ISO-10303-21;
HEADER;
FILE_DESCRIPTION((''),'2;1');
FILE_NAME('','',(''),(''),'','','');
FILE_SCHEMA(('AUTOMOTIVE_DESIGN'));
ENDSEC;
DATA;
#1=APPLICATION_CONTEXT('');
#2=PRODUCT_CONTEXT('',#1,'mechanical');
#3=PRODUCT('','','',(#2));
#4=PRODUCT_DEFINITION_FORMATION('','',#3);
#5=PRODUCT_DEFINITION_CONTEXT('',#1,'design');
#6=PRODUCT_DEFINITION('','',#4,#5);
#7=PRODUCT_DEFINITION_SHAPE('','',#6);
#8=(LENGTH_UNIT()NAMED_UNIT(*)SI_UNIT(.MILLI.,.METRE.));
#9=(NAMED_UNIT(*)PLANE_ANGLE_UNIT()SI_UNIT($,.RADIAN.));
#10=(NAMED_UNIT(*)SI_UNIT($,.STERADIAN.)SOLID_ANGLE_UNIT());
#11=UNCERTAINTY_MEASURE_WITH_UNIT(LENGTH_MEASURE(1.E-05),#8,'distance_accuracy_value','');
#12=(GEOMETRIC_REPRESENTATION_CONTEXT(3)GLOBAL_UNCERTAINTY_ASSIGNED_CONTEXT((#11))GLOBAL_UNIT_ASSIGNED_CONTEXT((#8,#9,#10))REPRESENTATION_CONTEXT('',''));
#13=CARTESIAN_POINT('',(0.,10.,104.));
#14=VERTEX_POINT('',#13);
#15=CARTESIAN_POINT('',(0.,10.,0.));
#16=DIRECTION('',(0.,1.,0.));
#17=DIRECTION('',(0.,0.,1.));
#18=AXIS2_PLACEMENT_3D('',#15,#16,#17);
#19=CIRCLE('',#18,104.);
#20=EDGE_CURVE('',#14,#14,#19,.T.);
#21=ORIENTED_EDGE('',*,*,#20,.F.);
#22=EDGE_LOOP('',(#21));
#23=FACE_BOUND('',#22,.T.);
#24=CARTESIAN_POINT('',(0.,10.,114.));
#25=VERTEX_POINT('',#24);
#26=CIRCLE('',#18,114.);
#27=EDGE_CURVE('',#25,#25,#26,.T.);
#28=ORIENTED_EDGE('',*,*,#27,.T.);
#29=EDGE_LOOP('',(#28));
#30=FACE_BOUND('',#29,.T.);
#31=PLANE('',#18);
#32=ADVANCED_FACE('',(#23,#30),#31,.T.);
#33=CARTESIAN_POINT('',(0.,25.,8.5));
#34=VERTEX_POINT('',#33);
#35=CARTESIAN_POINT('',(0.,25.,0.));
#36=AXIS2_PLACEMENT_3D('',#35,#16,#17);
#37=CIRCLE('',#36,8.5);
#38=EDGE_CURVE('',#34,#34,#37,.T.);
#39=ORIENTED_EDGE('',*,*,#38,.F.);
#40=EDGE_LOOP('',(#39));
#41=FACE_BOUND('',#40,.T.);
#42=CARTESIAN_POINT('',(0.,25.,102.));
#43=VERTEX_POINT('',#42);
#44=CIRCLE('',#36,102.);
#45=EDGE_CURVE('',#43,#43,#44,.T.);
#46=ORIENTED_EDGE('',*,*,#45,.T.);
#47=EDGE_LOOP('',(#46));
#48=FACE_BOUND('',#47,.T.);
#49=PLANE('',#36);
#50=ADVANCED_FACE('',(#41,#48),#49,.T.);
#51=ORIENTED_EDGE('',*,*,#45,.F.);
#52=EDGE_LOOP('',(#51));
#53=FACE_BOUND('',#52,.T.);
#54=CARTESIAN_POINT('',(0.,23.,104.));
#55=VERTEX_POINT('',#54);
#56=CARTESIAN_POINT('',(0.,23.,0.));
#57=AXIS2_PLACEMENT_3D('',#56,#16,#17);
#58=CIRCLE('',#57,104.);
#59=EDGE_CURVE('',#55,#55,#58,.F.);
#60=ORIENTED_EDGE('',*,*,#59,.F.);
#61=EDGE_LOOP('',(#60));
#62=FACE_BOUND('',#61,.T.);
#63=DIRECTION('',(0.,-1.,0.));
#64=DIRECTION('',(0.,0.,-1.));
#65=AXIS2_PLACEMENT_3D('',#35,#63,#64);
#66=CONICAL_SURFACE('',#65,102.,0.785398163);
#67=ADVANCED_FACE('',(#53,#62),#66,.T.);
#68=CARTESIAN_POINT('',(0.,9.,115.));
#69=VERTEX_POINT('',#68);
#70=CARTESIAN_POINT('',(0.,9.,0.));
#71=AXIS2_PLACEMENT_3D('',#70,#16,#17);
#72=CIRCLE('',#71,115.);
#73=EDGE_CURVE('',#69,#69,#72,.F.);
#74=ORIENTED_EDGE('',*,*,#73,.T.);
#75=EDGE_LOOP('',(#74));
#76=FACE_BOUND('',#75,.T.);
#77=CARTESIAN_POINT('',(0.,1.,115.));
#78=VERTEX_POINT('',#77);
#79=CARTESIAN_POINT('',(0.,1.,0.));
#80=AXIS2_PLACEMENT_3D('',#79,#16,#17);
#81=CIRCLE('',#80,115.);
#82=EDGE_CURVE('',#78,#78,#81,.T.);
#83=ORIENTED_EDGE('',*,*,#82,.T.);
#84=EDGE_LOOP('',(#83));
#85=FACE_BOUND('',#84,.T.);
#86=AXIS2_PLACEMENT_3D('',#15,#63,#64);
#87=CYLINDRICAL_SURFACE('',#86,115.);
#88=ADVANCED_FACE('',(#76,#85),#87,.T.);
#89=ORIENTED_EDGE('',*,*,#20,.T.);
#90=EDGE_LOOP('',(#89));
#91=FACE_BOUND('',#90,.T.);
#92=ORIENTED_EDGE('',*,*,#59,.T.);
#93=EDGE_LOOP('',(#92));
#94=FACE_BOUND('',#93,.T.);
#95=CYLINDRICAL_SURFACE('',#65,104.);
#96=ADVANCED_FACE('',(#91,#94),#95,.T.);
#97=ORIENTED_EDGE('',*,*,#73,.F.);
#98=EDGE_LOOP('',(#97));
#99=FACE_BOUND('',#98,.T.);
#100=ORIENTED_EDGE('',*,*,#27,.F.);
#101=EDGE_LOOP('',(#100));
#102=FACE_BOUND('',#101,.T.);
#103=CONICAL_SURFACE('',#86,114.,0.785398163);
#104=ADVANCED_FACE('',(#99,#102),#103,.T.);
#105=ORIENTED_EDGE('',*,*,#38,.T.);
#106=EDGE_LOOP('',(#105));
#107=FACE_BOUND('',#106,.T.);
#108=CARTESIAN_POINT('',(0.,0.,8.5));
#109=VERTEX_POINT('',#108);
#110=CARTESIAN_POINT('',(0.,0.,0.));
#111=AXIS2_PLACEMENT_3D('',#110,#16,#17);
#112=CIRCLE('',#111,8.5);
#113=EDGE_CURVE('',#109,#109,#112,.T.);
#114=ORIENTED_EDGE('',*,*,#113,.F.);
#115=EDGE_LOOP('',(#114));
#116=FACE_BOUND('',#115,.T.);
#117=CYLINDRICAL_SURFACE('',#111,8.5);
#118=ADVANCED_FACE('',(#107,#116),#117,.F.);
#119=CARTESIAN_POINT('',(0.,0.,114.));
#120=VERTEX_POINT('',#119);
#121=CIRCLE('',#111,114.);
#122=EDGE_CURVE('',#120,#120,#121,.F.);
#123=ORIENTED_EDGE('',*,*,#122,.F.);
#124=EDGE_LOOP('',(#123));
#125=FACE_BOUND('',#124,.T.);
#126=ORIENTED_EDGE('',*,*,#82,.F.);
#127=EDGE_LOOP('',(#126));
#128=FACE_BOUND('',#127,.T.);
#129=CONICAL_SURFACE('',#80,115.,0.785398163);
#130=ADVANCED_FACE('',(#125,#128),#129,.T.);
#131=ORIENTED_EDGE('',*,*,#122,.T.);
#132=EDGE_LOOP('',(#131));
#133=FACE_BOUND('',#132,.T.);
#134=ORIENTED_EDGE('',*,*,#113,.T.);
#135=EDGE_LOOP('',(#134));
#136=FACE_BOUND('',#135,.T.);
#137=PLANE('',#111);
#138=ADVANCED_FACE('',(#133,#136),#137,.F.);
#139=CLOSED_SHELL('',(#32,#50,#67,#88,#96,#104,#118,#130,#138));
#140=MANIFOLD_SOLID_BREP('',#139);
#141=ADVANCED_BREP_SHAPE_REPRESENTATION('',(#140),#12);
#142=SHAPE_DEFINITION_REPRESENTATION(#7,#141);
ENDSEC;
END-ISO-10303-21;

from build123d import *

# Parameters (mm, degrees)
SKETCH_1_R          = 115
EXTRUDE_1_DEPTH     = 10
SKETCH_2_R          = 104
EXTRUDE_2_DEPTH     = 15
CHAMFER_1_SIZE      = 1
CHAMFER_2_SIZE      = 2
SKETCH_3_R          = 8.5
CUT_EXTRUDE_1_DEPTH = 25


with BuildPart() as part:
    # Эскиз1 → Бобышка-Вытянуть1 (new body)
    with BuildSketch(Plane(origin=(0, 0, 0), x_dir=(1, 0, 0), z_dir=(0, 1, 0))):
        Circle(SKETCH_1_R)
    extrude(amount=EXTRUDE_1_DEPTH)

    # Эскиз2 → Бобышка-Вытянуть2 (add)
    with BuildSketch(Plane(origin=(0, 10, 0), x_dir=(1, 0, 0), z_dir=(0, 1, 0))):
        Circle(SKETCH_2_R)
    extrude(amount=EXTRUDE_2_DEPTH)

    # Фаска1
    chamfer_1_edges = [part.edges().sort_by_distance(p)[0] for p in [
        (-115, 0, 0),
        (-115, 10, 0),
    ]]
    chamfer(chamfer_1_edges, length=CHAMFER_1_SIZE)

    # Фаска2
    chamfer_2_edges = [part.edges().sort_by_distance(p)[0] for p in [
        (-104, 25, 0),
    ]]
    chamfer(chamfer_2_edges, length=CHAMFER_2_SIZE)

    # Эскиз3 → Вырез-Вытянуть1 (cut)
    with BuildSketch(Plane(origin=(0, 25, 0), x_dir=(1, 0, 0), z_dir=(0, 1, 0))):
        Circle(SKETCH_3_R)
    extrude(amount=-CUT_EXTRUDE_1_DEPTH, mode=Mode.SUBTRACT)


solid = part.part
